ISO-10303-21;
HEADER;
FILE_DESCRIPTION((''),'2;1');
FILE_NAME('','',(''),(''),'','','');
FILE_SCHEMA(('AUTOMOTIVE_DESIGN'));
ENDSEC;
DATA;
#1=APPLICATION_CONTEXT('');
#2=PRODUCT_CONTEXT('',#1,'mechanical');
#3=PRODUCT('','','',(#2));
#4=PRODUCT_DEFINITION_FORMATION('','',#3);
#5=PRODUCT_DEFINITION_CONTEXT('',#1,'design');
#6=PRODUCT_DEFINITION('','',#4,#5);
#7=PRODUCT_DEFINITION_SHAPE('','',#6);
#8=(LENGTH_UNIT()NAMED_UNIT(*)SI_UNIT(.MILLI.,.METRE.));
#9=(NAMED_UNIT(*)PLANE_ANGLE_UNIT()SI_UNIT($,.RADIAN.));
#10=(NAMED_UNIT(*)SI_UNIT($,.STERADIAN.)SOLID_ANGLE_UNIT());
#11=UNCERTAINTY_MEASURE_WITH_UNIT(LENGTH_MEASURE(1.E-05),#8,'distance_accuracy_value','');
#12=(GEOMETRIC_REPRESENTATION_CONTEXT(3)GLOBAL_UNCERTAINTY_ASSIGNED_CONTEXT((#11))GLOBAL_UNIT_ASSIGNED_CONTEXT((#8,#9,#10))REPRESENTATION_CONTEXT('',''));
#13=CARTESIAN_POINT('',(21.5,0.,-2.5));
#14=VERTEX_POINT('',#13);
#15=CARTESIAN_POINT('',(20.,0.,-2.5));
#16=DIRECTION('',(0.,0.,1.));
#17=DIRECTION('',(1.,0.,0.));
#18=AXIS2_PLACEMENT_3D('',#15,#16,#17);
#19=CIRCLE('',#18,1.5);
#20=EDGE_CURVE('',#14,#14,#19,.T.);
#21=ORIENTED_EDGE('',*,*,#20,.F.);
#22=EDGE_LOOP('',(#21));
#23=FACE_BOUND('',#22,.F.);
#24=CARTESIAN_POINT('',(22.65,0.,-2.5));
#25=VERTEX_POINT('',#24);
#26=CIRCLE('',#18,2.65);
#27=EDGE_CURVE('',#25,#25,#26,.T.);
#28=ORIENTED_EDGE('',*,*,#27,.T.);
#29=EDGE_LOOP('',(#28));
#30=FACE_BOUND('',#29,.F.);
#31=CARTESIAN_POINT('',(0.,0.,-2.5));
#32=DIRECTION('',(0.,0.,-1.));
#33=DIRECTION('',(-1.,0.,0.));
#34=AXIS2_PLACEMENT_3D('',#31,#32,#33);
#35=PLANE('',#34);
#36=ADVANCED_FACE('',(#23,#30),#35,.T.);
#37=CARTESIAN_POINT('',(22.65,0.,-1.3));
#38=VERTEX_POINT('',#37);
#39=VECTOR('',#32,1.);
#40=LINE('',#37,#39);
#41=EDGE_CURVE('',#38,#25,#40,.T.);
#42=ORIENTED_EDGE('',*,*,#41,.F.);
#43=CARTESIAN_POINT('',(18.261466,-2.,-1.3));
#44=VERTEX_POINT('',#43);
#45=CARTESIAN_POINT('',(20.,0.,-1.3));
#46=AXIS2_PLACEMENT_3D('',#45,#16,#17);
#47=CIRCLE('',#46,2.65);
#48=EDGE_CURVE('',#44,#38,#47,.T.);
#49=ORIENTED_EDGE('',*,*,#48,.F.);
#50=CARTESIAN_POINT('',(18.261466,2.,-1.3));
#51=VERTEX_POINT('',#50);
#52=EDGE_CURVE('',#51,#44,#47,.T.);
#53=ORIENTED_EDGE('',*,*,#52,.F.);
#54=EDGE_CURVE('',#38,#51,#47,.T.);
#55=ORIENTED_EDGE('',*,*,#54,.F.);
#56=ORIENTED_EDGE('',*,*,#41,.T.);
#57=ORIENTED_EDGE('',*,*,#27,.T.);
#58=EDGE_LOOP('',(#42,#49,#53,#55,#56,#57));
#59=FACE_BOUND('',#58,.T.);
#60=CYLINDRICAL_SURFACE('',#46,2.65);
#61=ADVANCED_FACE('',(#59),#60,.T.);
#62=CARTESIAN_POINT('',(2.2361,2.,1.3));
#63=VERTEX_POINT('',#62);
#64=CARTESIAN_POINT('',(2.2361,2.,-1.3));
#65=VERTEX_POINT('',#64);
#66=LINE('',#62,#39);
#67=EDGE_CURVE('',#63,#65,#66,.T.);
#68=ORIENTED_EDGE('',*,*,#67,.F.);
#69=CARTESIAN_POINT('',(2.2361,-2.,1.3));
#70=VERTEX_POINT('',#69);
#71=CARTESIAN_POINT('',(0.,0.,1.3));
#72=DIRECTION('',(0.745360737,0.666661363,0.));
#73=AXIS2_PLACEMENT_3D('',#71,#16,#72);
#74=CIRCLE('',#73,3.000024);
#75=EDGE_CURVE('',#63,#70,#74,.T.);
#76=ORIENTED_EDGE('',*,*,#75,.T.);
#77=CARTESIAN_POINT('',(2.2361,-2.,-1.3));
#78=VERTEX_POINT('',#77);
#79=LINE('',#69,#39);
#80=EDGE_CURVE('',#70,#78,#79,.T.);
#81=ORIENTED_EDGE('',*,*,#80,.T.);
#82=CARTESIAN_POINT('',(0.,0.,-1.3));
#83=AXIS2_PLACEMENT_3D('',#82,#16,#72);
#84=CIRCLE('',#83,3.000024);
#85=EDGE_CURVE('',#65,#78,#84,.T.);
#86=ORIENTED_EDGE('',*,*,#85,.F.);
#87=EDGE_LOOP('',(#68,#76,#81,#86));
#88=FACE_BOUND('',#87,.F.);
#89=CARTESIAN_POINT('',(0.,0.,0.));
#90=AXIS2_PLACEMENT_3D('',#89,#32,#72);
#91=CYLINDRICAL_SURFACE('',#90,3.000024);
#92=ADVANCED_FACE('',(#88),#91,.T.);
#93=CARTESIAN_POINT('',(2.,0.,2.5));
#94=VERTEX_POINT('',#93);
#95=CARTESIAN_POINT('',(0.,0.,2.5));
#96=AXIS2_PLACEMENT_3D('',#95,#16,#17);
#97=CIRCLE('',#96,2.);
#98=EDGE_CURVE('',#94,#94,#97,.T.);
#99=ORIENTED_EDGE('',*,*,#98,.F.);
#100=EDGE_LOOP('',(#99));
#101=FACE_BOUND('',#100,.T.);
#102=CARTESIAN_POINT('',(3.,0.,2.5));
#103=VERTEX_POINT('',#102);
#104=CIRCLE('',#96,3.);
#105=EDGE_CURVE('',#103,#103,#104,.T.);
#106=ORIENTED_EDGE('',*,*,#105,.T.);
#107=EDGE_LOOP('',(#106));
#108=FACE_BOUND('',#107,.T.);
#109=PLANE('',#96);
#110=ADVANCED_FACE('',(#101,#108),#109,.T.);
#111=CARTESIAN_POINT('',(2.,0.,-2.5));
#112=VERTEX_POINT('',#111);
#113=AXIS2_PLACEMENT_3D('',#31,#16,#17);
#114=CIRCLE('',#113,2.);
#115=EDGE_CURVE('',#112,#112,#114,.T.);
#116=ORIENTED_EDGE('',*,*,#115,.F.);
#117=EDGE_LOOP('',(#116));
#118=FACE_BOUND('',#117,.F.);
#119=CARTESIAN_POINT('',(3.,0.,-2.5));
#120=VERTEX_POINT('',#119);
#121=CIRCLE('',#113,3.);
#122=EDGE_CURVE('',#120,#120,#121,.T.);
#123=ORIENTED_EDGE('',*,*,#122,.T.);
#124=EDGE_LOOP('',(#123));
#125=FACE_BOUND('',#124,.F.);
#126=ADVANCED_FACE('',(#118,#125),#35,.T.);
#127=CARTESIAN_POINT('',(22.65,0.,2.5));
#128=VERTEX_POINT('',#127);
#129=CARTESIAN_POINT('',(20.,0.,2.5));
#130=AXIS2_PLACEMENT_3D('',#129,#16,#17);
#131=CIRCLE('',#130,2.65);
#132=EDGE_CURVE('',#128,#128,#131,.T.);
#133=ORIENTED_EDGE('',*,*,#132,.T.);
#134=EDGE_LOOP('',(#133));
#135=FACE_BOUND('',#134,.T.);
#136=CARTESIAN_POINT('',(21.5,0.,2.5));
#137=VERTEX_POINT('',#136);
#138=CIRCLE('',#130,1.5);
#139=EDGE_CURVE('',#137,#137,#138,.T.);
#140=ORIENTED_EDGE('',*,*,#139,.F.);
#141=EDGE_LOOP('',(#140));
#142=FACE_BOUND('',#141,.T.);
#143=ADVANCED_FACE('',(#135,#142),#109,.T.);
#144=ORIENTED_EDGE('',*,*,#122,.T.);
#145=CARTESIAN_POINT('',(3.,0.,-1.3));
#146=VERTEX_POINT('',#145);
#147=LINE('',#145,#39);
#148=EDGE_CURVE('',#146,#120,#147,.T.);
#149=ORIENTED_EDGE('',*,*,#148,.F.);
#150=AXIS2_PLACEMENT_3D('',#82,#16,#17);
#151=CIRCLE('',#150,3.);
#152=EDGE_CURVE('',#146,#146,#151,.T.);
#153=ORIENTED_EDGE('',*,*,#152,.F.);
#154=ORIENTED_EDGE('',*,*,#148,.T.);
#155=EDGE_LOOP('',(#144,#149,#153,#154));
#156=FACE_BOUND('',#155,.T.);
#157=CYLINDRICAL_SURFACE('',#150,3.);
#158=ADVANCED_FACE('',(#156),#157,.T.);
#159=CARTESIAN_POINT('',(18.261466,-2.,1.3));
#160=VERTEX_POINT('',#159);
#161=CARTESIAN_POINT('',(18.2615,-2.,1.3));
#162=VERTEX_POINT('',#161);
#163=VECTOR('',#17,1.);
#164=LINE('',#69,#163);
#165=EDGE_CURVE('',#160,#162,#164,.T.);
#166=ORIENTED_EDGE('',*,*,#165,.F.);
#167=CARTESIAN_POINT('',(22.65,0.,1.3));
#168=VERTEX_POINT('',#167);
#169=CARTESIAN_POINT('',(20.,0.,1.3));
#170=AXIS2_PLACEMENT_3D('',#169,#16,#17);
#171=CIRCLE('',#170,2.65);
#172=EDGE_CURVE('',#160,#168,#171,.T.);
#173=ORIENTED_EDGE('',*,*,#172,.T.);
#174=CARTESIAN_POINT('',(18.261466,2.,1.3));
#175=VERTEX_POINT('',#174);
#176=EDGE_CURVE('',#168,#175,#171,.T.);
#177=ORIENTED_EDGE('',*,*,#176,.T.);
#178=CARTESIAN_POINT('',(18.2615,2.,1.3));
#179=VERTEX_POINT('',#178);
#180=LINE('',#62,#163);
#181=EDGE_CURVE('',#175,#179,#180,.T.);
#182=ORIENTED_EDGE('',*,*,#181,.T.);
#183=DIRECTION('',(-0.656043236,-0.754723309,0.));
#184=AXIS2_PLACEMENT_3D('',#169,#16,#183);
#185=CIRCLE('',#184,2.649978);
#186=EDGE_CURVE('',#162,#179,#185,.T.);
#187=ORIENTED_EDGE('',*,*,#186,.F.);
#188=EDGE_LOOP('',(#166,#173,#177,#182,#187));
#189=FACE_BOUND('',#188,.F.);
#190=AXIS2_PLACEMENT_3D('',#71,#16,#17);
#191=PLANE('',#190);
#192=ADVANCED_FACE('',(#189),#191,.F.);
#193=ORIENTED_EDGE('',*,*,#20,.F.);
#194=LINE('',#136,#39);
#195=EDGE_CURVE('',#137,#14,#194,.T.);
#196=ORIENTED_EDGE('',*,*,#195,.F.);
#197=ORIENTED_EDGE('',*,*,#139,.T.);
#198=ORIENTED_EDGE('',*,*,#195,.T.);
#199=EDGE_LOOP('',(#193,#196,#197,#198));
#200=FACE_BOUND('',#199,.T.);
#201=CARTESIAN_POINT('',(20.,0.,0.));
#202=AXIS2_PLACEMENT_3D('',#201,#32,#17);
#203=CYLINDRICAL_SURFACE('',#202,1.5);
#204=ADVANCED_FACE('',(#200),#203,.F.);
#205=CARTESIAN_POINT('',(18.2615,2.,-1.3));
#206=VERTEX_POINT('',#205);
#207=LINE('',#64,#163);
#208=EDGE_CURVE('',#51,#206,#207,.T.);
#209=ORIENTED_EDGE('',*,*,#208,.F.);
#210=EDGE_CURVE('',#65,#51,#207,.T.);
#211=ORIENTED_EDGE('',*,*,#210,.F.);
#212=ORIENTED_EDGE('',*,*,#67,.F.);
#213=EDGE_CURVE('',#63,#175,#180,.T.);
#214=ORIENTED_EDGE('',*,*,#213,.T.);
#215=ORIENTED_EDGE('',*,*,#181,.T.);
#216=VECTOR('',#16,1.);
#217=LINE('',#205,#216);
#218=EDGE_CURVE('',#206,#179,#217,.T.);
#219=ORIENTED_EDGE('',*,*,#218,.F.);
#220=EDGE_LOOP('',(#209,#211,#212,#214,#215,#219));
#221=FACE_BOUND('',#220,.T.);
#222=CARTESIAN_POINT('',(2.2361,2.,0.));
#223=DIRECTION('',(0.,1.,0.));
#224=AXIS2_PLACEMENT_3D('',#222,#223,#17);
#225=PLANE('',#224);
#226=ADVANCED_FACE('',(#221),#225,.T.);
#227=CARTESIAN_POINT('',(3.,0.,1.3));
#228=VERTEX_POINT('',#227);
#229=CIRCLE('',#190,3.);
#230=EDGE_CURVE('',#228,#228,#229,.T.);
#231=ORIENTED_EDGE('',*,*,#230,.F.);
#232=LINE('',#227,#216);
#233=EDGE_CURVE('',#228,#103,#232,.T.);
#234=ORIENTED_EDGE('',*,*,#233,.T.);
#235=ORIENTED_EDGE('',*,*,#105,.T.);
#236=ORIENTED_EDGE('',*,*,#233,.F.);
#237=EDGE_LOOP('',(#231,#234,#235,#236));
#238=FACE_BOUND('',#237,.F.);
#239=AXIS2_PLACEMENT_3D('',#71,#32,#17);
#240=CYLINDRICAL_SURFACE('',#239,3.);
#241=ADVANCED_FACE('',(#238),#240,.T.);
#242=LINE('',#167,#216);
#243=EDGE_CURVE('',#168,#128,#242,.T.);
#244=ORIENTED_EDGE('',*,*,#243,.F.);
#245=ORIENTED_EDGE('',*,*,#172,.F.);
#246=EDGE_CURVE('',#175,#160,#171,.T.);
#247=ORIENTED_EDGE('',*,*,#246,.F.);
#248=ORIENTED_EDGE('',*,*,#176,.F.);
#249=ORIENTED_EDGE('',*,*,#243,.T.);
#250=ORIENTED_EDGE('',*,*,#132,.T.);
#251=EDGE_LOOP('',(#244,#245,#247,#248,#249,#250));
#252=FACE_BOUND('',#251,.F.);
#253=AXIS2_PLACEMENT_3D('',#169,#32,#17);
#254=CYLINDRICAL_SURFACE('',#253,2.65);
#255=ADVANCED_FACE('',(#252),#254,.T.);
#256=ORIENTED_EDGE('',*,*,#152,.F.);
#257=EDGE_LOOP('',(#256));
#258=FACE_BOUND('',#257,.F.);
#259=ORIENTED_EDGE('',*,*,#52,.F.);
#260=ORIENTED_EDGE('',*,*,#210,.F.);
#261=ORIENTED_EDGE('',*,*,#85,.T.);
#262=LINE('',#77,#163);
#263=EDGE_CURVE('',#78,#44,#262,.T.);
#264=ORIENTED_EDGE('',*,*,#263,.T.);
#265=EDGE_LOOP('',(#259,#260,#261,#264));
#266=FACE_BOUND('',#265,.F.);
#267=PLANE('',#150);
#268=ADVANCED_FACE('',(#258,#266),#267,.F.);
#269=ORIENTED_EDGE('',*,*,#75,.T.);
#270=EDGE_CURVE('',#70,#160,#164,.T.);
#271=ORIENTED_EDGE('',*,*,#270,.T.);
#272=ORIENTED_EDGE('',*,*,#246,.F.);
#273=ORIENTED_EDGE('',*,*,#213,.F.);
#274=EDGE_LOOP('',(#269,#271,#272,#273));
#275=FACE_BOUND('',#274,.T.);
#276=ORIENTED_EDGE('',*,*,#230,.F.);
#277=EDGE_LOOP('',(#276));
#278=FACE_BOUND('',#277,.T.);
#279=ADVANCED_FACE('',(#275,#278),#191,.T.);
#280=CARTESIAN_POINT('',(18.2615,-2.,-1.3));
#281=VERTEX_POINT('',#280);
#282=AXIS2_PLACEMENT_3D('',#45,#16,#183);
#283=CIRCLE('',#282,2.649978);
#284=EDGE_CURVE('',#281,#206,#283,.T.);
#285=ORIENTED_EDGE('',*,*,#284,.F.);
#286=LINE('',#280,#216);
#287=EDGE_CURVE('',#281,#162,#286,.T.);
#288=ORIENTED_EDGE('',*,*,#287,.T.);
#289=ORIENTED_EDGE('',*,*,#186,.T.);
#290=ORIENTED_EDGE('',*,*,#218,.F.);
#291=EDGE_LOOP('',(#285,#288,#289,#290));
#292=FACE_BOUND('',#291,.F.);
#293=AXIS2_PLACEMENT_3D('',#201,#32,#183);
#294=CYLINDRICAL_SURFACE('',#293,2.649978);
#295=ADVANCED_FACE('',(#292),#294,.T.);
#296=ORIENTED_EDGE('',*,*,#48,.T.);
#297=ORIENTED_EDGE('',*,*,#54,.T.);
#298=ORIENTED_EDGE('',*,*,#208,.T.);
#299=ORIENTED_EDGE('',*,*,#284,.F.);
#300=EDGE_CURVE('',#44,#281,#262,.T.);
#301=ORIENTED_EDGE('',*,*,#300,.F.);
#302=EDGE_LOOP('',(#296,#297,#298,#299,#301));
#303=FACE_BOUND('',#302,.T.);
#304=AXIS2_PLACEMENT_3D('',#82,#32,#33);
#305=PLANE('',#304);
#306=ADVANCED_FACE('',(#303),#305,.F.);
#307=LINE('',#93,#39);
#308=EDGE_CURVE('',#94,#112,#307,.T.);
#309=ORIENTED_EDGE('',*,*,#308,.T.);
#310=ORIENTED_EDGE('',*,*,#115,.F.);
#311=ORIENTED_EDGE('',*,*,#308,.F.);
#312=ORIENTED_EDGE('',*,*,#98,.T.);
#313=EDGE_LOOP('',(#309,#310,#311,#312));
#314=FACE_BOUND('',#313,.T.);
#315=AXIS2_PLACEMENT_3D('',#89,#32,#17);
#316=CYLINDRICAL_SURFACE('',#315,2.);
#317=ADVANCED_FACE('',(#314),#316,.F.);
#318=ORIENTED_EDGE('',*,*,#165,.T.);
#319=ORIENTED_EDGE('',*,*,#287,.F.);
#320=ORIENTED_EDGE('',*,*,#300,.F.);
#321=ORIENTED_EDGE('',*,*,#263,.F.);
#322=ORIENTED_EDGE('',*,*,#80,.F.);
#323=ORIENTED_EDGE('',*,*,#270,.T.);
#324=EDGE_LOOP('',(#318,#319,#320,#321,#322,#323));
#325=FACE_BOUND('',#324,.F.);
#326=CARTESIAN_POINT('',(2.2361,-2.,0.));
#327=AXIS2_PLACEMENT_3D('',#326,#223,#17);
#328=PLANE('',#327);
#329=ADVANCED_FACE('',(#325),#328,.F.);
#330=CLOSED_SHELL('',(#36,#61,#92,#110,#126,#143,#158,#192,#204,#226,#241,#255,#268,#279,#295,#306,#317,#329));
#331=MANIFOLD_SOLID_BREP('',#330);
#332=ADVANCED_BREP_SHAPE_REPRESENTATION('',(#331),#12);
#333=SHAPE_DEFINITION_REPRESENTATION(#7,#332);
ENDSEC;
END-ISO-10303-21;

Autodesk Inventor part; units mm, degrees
ref_plane "YZ Plane" through (0, 0, 0) normal (1, 0, 0) x (0, 1, 0)
ref_plane "XZ Plane" through (0, 0, 0) normal (0, 1, 0) x (-1, 0, 0)
ref_plane "XY Plane" through (0, 0, 0) normal (0, 0, 1) x (1, 0, 0)
sketch "Sketch1" plane through (0, 0, 0) normal (0, 0, 1) x (1, 0, 0)
  circle A0 centre (0, 0) radius 2
  circle A1 centre (20, 0) radius 1.5
  arc A2 (18.2615, -2) -> (18.2615, 2) centre (20, 0) ccw
  arc A3 (2.2361, 2) -> (2.2361, -2) centre (0, 0) ccw
  line L0 (2.2361, -2) -> (18.2615, -2)
  line L1 (2.2361, 2) -> (18.2615, 2)
extrude "Extrusion1" add sketch "Sketch1" along normal mid plane 2.6
sketch "Sketch2" plane through (0, 0, 1.3) normal (0, 0, 1) x (1, 0, 0)
  circle A0 centre (0, 0) radius 3
  circle A1 centre (0, 0) radius 2
  circle A2 centre (20, 0) radius 2.65
  circle A3 centre (20, 0) radius 1.5
extrude "Extrusion2" add sketch "Sketch2" along normal blind 1.2
mirror "Mirror1" about plane through (0, 0, 0) normal (0, 0, 1) of "Extrusion2"
ref_plane "Work Plane1" through (0, 0, 0) normal (0, 0, 1) x (1, 0, 0)
properties part number "rod"
